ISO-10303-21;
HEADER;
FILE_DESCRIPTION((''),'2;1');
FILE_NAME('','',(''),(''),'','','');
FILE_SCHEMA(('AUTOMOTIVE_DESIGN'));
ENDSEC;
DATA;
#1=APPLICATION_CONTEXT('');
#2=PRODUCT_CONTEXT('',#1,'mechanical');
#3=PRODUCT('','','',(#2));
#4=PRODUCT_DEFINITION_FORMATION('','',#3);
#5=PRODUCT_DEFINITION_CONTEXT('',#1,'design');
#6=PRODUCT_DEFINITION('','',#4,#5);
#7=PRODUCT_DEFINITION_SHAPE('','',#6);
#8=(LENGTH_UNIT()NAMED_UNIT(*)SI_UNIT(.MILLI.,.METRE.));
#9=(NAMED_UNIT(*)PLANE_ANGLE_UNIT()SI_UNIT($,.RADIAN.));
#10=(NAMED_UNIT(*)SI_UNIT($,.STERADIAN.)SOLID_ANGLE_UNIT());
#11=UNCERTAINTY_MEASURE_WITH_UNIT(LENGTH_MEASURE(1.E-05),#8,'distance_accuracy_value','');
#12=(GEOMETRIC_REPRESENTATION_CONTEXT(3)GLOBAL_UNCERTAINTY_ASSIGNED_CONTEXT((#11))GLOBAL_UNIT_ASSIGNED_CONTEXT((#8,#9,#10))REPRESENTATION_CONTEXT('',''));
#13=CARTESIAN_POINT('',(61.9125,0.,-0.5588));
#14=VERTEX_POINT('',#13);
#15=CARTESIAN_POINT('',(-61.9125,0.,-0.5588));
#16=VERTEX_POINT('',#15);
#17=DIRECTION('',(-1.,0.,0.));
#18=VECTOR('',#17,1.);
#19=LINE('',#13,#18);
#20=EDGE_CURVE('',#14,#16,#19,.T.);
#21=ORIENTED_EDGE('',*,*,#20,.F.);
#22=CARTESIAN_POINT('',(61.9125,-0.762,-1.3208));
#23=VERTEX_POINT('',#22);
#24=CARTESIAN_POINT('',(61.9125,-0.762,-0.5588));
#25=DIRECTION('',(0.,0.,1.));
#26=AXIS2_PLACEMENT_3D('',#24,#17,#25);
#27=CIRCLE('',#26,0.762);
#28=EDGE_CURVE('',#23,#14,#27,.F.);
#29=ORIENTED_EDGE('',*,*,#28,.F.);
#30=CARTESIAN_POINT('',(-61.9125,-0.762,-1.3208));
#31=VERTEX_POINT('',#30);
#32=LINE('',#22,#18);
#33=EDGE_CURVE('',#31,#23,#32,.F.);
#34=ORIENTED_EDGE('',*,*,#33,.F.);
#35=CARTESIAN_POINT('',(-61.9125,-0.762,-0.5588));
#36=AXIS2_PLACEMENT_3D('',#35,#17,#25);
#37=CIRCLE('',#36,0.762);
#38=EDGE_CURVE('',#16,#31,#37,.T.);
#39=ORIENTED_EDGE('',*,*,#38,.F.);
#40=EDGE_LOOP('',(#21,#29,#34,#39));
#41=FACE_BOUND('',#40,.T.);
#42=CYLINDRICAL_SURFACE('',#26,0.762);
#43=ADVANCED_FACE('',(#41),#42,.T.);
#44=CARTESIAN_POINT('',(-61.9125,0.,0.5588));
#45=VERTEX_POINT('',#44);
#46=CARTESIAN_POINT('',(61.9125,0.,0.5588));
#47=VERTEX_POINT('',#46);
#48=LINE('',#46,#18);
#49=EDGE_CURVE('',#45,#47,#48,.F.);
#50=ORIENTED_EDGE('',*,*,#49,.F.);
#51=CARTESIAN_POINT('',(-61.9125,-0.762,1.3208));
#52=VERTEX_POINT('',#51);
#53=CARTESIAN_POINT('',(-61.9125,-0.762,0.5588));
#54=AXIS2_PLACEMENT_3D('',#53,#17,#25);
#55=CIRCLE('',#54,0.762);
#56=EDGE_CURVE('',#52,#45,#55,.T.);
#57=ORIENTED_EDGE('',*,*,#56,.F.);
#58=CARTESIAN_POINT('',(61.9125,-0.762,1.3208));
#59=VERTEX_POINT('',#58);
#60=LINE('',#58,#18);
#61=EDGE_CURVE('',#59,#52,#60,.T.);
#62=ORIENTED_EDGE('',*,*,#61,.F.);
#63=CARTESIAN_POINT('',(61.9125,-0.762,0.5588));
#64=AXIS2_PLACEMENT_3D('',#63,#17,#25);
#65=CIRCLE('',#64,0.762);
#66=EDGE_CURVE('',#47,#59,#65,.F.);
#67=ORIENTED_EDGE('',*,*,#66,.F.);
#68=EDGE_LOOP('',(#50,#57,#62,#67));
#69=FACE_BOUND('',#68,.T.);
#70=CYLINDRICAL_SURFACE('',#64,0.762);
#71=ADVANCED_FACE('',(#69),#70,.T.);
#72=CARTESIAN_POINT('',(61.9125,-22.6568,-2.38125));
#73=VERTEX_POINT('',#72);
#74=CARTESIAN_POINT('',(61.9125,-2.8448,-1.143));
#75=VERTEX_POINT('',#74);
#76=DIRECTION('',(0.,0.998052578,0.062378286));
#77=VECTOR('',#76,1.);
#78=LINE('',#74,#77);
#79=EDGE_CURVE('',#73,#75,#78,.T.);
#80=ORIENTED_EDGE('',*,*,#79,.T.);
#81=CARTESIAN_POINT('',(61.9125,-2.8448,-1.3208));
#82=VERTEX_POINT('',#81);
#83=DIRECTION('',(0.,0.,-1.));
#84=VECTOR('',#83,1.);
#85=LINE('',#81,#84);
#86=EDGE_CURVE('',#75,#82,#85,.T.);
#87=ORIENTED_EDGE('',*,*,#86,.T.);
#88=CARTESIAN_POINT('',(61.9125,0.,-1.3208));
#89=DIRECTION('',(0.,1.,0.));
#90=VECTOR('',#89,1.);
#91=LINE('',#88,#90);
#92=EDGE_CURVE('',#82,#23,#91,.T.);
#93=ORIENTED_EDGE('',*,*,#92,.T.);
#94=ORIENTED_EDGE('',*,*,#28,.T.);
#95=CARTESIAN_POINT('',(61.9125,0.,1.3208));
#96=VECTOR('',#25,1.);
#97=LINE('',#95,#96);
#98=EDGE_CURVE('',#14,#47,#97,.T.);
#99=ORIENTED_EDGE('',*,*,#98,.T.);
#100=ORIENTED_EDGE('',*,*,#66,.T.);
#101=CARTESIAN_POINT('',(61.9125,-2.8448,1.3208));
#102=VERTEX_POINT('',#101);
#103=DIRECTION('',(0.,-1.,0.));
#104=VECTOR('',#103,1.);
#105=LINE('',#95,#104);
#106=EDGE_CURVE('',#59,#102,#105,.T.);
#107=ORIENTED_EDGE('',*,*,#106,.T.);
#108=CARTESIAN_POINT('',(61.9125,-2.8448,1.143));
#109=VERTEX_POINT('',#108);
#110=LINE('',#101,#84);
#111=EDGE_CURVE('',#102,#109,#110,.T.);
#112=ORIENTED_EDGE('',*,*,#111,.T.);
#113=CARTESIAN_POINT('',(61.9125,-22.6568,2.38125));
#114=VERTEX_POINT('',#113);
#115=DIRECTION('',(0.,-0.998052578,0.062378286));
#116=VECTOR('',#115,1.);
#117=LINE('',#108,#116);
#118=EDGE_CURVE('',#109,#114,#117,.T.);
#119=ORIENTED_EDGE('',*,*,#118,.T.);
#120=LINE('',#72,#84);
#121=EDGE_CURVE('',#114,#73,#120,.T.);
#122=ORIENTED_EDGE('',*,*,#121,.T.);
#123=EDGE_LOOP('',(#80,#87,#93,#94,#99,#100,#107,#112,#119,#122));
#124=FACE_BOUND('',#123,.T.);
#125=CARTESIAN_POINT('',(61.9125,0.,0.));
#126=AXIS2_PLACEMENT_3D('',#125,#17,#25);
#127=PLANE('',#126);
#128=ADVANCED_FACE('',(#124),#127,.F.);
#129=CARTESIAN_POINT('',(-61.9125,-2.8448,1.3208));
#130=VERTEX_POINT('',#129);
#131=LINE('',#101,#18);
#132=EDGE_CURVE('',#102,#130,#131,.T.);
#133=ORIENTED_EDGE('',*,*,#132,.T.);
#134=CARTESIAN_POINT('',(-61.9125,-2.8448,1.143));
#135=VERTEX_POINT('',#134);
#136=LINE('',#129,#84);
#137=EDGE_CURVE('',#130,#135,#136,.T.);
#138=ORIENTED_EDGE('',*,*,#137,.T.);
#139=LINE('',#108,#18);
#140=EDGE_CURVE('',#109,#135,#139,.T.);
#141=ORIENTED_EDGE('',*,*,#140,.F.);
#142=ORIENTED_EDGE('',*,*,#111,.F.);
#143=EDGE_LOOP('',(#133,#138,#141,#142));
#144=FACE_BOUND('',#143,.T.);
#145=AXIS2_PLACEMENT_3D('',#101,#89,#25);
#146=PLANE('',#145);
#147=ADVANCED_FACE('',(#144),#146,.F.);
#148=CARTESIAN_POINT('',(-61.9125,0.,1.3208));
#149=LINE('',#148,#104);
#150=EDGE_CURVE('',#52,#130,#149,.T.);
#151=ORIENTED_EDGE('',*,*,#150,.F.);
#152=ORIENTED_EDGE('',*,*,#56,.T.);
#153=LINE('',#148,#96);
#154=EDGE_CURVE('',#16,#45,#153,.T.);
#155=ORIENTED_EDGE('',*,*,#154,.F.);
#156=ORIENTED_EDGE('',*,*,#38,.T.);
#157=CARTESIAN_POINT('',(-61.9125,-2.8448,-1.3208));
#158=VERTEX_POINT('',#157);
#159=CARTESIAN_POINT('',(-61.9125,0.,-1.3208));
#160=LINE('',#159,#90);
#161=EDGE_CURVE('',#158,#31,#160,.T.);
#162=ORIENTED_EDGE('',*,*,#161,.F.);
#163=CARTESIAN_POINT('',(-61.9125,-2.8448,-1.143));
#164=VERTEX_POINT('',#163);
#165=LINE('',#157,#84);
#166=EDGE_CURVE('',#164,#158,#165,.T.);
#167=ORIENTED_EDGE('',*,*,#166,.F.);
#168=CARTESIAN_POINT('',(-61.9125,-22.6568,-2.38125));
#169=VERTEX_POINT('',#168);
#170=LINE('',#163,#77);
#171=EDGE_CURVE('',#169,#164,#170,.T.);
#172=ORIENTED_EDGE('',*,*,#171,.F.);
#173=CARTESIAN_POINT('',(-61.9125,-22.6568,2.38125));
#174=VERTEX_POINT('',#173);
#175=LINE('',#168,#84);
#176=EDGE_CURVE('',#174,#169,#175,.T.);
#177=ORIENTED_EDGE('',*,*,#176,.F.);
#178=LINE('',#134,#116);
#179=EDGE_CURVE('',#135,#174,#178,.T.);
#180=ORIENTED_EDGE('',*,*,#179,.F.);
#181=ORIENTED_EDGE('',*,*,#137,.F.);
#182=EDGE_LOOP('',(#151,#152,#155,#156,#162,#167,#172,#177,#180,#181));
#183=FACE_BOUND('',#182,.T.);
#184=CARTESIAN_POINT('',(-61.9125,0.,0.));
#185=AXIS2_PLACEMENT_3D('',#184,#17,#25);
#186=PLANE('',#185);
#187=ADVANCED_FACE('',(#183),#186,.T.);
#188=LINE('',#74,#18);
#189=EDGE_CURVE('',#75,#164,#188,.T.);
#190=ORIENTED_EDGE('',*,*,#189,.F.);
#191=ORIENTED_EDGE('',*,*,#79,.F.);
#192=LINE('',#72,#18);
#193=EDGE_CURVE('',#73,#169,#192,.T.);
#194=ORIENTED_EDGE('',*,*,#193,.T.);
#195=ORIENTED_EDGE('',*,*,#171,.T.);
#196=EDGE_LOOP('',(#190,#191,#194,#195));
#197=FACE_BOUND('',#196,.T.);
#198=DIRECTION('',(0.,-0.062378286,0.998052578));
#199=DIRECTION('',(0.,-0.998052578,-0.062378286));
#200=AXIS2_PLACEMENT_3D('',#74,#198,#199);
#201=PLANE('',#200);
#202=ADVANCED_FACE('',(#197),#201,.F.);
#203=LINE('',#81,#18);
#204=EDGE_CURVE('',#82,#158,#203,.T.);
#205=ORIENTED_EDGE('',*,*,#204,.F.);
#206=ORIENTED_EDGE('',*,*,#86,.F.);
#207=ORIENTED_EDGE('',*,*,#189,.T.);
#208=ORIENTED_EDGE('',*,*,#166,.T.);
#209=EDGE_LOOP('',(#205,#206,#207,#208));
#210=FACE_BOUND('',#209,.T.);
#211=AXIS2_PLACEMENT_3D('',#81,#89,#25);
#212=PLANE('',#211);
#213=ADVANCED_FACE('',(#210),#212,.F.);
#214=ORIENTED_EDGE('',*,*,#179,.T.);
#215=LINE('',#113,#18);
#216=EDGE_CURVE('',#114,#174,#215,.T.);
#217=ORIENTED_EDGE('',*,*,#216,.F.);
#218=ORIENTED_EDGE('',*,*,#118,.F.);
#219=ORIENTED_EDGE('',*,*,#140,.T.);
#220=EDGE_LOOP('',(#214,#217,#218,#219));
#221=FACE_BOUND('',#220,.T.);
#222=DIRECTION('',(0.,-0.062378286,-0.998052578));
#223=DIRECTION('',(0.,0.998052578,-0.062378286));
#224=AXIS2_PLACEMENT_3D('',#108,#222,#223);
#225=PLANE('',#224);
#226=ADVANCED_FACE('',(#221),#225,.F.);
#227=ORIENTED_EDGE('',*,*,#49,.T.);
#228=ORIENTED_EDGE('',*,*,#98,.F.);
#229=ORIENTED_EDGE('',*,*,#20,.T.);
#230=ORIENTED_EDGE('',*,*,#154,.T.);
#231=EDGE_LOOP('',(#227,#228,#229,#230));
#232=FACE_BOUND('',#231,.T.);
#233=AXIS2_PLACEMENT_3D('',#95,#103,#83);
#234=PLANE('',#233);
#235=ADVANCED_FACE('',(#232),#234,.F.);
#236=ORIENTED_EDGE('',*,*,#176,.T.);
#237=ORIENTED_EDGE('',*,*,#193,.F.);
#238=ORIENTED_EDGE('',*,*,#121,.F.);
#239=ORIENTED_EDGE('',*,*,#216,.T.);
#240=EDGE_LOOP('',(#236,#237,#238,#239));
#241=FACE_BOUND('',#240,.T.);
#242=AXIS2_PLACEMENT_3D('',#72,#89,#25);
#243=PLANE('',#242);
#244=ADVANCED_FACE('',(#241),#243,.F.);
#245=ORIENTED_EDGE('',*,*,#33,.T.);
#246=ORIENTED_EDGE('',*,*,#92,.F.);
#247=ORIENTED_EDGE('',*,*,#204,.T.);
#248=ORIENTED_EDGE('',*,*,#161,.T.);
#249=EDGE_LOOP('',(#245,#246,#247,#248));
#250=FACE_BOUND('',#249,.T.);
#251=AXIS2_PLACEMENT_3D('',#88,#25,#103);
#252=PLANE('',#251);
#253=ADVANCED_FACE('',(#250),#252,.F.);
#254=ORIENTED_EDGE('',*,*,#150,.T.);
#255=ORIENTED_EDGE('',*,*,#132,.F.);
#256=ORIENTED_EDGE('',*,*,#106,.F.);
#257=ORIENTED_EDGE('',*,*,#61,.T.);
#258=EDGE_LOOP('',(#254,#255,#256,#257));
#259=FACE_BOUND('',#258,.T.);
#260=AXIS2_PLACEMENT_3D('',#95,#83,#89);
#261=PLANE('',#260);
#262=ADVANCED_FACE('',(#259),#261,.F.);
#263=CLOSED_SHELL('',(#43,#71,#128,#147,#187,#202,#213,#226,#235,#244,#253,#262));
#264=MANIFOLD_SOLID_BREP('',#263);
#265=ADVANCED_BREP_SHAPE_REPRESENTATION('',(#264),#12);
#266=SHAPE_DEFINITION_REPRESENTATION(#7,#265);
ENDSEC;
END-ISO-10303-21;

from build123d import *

# Parameters (mm, degrees)
BOSS_EXTRUDE1_DEPTH = 61.9125
FILLET1_R           = 0.762


with BuildPart() as part:
    # Sketch1 → Boss-Extrude1 (new body, symmetric)
    with BuildSketch(Plane(origin=(0, 0, 0), x_dir=(0, 0, -1), z_dir=(1, 0, 0))):
        Polygon((-1.3208, 0), (1.3208, 0), (1.3208, -2.8448), (1.143, -2.8448), (2.38125, -22.6568), (-2.38125, -22.6568), (-1.143, -2.8448), (-1.3208, -2.8448), align=None)
    extrude(amount=BOSS_EXTRUDE1_DEPTH, both=True)

    # Fillet1
    fillet1_edges = [part.edges().sort_by_distance(p)[0] for p in [
        (0, 0, 1.3208),
        (0, 0, -1.3208),
    ]]
    fillet(fillet1_edges, radius=FILLET1_R)


solid = part.part
